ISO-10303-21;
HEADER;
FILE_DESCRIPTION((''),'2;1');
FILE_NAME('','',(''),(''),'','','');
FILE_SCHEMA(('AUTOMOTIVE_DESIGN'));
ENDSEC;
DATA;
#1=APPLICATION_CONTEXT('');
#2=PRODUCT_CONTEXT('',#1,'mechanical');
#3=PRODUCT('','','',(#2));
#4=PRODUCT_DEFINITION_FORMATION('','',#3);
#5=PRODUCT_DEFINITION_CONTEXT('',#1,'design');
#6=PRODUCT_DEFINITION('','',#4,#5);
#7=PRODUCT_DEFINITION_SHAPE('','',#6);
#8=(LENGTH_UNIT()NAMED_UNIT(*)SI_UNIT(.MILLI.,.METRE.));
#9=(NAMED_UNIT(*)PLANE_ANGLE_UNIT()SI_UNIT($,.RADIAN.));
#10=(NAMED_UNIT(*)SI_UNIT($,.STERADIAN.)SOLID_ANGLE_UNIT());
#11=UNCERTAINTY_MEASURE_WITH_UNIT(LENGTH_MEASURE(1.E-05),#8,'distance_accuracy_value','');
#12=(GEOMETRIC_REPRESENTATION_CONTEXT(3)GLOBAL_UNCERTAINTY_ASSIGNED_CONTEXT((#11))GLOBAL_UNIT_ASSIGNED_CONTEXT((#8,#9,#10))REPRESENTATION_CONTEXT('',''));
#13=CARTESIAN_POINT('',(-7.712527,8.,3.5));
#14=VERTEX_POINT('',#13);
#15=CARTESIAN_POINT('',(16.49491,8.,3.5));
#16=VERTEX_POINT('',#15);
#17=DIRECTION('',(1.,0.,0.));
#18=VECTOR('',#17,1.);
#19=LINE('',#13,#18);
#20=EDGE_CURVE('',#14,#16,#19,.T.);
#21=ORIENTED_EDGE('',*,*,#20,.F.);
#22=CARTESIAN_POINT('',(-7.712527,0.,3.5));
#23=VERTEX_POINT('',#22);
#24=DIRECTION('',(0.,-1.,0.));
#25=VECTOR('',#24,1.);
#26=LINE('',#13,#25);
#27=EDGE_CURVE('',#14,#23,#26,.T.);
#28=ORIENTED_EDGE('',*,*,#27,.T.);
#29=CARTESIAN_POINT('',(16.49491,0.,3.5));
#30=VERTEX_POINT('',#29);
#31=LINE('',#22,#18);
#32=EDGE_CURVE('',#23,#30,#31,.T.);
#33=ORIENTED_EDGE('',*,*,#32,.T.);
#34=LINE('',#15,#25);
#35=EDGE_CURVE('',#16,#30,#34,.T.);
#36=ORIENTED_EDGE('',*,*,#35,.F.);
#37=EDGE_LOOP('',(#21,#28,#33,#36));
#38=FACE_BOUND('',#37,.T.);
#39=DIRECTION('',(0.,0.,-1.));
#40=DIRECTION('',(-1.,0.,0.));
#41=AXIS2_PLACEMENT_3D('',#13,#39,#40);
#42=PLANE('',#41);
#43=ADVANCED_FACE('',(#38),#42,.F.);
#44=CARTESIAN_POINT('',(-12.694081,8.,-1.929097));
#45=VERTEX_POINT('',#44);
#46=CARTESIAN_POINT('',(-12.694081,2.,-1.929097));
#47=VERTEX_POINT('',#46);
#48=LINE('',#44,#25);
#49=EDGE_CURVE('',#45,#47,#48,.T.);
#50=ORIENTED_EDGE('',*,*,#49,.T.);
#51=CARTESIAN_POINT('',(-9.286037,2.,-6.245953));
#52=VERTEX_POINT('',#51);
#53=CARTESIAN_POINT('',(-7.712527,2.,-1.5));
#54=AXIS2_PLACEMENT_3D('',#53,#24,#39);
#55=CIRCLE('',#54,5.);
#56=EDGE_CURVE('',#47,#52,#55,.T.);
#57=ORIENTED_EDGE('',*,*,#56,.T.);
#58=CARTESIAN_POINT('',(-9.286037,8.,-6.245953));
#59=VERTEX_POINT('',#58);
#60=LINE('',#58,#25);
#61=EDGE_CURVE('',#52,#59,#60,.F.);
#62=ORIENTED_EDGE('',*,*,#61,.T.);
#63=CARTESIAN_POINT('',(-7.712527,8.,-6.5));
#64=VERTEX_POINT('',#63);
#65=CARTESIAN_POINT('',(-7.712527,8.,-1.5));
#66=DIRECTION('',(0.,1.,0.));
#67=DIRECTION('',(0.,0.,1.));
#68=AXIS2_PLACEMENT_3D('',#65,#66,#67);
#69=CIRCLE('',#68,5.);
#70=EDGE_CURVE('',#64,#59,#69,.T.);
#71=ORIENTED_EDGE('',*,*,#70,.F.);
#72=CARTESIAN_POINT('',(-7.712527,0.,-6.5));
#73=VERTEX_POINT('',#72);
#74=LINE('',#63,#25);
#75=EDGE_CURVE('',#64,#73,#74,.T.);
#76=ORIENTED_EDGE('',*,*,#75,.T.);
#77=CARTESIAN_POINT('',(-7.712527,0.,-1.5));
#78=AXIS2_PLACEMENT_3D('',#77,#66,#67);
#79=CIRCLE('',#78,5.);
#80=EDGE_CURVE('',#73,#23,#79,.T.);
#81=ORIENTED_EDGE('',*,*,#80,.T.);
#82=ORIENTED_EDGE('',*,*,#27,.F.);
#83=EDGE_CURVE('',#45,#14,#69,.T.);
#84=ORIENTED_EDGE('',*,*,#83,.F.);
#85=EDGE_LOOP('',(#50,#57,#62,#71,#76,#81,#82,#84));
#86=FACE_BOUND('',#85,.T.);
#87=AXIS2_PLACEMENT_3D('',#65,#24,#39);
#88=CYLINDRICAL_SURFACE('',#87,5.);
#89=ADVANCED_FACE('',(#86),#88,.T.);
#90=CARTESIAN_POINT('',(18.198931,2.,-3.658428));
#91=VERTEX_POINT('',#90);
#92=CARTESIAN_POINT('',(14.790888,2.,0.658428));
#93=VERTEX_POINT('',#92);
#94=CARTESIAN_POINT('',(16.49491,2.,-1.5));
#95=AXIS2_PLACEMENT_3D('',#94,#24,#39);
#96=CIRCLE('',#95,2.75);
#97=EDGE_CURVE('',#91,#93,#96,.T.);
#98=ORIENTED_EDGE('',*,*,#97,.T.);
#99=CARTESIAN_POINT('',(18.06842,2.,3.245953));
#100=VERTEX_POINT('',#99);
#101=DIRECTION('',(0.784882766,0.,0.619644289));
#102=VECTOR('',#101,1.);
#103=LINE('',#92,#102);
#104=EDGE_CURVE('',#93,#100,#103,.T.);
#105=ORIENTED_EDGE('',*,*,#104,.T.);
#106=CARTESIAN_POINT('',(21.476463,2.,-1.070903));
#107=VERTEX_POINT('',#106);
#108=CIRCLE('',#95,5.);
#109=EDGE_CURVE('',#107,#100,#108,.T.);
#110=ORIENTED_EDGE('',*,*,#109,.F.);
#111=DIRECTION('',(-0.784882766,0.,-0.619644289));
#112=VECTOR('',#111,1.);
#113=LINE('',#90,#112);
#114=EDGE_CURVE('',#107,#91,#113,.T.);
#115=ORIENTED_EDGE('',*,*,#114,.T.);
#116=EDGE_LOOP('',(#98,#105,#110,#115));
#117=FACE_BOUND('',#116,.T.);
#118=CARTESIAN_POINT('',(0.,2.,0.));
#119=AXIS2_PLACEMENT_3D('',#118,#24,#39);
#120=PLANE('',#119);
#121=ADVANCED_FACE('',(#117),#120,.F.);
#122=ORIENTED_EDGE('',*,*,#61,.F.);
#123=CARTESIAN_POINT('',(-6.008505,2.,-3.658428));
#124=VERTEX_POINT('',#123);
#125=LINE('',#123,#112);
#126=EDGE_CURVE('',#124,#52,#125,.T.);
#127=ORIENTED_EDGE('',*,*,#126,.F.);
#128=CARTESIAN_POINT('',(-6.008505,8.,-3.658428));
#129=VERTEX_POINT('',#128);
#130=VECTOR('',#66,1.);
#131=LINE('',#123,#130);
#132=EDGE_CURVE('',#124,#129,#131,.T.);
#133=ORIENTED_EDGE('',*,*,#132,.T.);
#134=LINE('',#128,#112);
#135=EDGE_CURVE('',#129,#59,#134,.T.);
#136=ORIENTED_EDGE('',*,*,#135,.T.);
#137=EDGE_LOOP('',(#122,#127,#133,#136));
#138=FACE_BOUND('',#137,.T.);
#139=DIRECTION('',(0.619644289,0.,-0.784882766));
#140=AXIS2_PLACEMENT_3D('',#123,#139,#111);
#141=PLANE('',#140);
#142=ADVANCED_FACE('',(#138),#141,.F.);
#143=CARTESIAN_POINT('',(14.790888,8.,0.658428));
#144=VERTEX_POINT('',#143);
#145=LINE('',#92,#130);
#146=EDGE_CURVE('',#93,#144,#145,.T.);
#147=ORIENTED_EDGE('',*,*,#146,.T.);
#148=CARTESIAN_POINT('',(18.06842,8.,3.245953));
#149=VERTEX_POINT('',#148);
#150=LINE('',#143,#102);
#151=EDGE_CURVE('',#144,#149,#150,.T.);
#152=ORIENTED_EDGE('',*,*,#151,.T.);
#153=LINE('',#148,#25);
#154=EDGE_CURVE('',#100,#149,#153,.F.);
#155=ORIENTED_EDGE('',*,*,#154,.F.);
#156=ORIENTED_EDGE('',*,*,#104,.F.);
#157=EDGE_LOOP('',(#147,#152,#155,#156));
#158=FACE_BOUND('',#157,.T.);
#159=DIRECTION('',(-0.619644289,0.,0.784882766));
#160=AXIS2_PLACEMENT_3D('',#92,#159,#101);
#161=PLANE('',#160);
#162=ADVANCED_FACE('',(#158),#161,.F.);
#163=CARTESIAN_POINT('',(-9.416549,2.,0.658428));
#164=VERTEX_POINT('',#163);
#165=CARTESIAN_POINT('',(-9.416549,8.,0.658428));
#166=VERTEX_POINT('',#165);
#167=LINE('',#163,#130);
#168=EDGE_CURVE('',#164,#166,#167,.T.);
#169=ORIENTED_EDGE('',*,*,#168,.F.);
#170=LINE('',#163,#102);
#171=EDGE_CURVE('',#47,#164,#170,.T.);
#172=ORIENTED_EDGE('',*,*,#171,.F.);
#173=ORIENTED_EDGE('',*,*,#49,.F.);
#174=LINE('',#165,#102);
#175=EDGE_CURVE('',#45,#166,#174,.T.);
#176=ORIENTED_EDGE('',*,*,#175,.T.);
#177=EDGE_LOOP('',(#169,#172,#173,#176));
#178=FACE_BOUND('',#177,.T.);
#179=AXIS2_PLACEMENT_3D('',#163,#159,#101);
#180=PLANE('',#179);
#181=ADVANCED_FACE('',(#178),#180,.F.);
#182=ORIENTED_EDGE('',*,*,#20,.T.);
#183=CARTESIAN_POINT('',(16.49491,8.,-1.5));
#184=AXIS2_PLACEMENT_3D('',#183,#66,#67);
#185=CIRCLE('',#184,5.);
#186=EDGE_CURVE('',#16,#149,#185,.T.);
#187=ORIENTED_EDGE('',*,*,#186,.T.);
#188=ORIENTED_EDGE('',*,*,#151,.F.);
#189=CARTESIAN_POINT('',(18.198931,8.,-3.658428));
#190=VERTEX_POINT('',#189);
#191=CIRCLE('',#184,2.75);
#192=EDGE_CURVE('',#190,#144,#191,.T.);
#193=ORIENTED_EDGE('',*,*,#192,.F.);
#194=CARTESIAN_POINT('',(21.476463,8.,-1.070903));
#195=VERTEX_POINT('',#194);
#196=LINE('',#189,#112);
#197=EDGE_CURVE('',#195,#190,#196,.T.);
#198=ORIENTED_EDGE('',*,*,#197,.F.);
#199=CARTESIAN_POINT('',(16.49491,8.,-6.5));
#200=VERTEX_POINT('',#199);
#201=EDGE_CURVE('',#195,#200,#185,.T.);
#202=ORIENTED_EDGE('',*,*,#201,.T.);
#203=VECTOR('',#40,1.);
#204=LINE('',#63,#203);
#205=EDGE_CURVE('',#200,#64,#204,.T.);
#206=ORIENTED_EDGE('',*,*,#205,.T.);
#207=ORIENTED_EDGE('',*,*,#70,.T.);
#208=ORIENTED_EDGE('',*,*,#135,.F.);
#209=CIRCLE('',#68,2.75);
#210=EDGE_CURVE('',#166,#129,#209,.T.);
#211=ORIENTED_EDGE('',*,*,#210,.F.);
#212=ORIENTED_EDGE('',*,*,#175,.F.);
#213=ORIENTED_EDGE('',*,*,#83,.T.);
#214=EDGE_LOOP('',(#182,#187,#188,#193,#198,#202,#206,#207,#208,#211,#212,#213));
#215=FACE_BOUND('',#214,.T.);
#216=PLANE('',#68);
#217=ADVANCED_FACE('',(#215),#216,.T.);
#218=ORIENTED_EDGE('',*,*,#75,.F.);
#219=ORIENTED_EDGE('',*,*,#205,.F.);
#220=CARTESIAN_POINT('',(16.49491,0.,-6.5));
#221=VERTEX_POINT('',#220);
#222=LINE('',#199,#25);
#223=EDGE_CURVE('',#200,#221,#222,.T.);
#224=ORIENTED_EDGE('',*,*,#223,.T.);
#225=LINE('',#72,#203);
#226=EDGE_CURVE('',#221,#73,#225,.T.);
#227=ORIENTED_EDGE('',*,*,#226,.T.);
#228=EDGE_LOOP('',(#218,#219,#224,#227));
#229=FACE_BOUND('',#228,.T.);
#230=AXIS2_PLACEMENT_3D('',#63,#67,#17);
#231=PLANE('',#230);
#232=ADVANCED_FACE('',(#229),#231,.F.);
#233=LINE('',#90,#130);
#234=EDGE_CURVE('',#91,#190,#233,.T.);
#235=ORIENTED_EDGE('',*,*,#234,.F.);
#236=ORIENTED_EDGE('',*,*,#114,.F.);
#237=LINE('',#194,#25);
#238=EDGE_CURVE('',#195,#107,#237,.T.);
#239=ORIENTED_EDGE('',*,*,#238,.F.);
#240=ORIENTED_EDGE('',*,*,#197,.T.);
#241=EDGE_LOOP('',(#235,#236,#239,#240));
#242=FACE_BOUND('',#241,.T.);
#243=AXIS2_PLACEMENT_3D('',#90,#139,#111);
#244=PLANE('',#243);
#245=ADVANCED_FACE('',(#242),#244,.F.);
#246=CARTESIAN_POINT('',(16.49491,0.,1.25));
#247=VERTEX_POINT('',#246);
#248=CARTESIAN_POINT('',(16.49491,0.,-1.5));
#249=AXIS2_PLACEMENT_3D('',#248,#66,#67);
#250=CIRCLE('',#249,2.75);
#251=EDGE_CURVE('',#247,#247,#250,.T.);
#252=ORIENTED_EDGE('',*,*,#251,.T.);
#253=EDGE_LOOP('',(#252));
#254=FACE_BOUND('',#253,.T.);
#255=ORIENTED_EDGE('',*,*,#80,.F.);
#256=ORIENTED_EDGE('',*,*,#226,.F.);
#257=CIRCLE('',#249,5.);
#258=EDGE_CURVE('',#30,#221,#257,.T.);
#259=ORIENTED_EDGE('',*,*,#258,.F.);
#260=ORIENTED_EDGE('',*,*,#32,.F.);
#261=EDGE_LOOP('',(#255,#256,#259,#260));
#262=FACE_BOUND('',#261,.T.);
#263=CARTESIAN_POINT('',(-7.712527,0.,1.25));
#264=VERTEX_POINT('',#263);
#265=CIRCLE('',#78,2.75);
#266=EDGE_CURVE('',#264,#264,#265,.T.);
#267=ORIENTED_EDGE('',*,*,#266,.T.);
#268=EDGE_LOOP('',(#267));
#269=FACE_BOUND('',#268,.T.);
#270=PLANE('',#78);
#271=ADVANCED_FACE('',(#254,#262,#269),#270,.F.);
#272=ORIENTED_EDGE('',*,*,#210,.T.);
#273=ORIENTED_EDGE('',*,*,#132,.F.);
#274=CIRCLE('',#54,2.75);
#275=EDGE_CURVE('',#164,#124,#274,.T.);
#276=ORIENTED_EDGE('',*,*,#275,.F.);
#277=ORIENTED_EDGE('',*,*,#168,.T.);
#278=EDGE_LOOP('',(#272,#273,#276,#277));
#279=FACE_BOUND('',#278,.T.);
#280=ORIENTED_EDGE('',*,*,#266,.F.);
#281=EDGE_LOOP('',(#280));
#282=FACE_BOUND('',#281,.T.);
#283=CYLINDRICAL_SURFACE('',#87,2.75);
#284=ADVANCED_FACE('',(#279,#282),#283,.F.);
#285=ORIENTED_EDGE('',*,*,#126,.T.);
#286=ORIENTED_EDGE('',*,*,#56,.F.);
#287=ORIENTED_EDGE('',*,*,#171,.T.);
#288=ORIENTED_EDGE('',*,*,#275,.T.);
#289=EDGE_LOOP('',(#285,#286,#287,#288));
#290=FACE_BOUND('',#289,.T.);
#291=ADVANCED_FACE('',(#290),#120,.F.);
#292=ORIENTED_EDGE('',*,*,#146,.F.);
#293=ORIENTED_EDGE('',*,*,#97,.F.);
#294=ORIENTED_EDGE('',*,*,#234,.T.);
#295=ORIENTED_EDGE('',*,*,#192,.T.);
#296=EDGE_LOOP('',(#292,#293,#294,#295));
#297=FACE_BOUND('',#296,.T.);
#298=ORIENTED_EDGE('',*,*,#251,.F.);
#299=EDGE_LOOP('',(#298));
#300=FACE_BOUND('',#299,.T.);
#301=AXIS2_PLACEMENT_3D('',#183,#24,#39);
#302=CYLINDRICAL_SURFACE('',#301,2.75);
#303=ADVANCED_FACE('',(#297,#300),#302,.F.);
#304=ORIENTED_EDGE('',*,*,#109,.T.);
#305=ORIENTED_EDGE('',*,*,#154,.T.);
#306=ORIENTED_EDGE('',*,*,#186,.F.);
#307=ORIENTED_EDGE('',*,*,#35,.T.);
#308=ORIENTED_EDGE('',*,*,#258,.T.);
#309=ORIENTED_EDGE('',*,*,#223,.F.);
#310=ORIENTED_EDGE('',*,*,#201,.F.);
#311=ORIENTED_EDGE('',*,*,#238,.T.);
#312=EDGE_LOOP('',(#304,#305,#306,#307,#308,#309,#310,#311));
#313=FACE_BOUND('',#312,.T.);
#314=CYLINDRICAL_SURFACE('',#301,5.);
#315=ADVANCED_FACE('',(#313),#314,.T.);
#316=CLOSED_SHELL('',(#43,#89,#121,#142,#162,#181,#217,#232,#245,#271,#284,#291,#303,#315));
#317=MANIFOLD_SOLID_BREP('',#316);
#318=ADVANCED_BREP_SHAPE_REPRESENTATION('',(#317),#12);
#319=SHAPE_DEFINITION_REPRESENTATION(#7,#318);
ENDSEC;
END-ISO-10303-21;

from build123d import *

# Parameters (mm, degrees)
SKETCH1_R           = 2.75
BOSS_EXTRUDE1_DEPTH = 8
CUT_EXTRUDE1_DEPTH  = 6


with BuildPart() as part:
    # Sketch1 → Boss-Extrude1 (new body)
    with BuildSketch(Plane(origin=(0, 0, 0), x_dir=(1, 0, 0), z_dir=(0, 1, 0))):
        with BuildLine():
            Line((-7.712527276, 6.5), (16.494909594, 6.5))
            ThreePointArc((16.494909594, 6.5), (21.494909594, 1.5), (16.494909594, -3.5))
            Line((16.494909594, -3.5), (-7.712527276, -3.5))
            ThreePointArc((-7.712527276, -3.5), (-12.712527276, 1.5), (-7.712527276, 6.5))
        make_face()
        with Locations(Location((-7.712527276, 1.5, 0), (0, 0, 270))):
            Circle(SKETCH1_R, mode=Mode.SUBTRACT)
        with Locations(Location((16.494909594, 1.5, 0), (0, 0, 270))):
            Circle(SKETCH1_R, mode=Mode.SUBTRACT)
    extrude(amount=BOSS_EXTRUDE1_DEPTH)

    # Sketch2 → Cut-Extrude1 (cut)
    with BuildSketch(Plane(origin=(0, 8, 0), x_dir=(1, 0, 0), z_dir=(0, 1, 0))):
        Polygon((18.198931387, 3.658427605), (14.7908878, -0.658427605), (24.721737917, -8.498572433), (28.129781504, -4.181717223), align=None)
        Polygon((-9.41654907, -0.658427605), (-6.008505483, 3.658427605), (-15.939355599, 11.498572433), (-19.347399186, 7.181717223), align=None)
    extrude(amount=-CUT_EXTRUDE1_DEPTH, mode=Mode.SUBTRACT)


solid = part.part
